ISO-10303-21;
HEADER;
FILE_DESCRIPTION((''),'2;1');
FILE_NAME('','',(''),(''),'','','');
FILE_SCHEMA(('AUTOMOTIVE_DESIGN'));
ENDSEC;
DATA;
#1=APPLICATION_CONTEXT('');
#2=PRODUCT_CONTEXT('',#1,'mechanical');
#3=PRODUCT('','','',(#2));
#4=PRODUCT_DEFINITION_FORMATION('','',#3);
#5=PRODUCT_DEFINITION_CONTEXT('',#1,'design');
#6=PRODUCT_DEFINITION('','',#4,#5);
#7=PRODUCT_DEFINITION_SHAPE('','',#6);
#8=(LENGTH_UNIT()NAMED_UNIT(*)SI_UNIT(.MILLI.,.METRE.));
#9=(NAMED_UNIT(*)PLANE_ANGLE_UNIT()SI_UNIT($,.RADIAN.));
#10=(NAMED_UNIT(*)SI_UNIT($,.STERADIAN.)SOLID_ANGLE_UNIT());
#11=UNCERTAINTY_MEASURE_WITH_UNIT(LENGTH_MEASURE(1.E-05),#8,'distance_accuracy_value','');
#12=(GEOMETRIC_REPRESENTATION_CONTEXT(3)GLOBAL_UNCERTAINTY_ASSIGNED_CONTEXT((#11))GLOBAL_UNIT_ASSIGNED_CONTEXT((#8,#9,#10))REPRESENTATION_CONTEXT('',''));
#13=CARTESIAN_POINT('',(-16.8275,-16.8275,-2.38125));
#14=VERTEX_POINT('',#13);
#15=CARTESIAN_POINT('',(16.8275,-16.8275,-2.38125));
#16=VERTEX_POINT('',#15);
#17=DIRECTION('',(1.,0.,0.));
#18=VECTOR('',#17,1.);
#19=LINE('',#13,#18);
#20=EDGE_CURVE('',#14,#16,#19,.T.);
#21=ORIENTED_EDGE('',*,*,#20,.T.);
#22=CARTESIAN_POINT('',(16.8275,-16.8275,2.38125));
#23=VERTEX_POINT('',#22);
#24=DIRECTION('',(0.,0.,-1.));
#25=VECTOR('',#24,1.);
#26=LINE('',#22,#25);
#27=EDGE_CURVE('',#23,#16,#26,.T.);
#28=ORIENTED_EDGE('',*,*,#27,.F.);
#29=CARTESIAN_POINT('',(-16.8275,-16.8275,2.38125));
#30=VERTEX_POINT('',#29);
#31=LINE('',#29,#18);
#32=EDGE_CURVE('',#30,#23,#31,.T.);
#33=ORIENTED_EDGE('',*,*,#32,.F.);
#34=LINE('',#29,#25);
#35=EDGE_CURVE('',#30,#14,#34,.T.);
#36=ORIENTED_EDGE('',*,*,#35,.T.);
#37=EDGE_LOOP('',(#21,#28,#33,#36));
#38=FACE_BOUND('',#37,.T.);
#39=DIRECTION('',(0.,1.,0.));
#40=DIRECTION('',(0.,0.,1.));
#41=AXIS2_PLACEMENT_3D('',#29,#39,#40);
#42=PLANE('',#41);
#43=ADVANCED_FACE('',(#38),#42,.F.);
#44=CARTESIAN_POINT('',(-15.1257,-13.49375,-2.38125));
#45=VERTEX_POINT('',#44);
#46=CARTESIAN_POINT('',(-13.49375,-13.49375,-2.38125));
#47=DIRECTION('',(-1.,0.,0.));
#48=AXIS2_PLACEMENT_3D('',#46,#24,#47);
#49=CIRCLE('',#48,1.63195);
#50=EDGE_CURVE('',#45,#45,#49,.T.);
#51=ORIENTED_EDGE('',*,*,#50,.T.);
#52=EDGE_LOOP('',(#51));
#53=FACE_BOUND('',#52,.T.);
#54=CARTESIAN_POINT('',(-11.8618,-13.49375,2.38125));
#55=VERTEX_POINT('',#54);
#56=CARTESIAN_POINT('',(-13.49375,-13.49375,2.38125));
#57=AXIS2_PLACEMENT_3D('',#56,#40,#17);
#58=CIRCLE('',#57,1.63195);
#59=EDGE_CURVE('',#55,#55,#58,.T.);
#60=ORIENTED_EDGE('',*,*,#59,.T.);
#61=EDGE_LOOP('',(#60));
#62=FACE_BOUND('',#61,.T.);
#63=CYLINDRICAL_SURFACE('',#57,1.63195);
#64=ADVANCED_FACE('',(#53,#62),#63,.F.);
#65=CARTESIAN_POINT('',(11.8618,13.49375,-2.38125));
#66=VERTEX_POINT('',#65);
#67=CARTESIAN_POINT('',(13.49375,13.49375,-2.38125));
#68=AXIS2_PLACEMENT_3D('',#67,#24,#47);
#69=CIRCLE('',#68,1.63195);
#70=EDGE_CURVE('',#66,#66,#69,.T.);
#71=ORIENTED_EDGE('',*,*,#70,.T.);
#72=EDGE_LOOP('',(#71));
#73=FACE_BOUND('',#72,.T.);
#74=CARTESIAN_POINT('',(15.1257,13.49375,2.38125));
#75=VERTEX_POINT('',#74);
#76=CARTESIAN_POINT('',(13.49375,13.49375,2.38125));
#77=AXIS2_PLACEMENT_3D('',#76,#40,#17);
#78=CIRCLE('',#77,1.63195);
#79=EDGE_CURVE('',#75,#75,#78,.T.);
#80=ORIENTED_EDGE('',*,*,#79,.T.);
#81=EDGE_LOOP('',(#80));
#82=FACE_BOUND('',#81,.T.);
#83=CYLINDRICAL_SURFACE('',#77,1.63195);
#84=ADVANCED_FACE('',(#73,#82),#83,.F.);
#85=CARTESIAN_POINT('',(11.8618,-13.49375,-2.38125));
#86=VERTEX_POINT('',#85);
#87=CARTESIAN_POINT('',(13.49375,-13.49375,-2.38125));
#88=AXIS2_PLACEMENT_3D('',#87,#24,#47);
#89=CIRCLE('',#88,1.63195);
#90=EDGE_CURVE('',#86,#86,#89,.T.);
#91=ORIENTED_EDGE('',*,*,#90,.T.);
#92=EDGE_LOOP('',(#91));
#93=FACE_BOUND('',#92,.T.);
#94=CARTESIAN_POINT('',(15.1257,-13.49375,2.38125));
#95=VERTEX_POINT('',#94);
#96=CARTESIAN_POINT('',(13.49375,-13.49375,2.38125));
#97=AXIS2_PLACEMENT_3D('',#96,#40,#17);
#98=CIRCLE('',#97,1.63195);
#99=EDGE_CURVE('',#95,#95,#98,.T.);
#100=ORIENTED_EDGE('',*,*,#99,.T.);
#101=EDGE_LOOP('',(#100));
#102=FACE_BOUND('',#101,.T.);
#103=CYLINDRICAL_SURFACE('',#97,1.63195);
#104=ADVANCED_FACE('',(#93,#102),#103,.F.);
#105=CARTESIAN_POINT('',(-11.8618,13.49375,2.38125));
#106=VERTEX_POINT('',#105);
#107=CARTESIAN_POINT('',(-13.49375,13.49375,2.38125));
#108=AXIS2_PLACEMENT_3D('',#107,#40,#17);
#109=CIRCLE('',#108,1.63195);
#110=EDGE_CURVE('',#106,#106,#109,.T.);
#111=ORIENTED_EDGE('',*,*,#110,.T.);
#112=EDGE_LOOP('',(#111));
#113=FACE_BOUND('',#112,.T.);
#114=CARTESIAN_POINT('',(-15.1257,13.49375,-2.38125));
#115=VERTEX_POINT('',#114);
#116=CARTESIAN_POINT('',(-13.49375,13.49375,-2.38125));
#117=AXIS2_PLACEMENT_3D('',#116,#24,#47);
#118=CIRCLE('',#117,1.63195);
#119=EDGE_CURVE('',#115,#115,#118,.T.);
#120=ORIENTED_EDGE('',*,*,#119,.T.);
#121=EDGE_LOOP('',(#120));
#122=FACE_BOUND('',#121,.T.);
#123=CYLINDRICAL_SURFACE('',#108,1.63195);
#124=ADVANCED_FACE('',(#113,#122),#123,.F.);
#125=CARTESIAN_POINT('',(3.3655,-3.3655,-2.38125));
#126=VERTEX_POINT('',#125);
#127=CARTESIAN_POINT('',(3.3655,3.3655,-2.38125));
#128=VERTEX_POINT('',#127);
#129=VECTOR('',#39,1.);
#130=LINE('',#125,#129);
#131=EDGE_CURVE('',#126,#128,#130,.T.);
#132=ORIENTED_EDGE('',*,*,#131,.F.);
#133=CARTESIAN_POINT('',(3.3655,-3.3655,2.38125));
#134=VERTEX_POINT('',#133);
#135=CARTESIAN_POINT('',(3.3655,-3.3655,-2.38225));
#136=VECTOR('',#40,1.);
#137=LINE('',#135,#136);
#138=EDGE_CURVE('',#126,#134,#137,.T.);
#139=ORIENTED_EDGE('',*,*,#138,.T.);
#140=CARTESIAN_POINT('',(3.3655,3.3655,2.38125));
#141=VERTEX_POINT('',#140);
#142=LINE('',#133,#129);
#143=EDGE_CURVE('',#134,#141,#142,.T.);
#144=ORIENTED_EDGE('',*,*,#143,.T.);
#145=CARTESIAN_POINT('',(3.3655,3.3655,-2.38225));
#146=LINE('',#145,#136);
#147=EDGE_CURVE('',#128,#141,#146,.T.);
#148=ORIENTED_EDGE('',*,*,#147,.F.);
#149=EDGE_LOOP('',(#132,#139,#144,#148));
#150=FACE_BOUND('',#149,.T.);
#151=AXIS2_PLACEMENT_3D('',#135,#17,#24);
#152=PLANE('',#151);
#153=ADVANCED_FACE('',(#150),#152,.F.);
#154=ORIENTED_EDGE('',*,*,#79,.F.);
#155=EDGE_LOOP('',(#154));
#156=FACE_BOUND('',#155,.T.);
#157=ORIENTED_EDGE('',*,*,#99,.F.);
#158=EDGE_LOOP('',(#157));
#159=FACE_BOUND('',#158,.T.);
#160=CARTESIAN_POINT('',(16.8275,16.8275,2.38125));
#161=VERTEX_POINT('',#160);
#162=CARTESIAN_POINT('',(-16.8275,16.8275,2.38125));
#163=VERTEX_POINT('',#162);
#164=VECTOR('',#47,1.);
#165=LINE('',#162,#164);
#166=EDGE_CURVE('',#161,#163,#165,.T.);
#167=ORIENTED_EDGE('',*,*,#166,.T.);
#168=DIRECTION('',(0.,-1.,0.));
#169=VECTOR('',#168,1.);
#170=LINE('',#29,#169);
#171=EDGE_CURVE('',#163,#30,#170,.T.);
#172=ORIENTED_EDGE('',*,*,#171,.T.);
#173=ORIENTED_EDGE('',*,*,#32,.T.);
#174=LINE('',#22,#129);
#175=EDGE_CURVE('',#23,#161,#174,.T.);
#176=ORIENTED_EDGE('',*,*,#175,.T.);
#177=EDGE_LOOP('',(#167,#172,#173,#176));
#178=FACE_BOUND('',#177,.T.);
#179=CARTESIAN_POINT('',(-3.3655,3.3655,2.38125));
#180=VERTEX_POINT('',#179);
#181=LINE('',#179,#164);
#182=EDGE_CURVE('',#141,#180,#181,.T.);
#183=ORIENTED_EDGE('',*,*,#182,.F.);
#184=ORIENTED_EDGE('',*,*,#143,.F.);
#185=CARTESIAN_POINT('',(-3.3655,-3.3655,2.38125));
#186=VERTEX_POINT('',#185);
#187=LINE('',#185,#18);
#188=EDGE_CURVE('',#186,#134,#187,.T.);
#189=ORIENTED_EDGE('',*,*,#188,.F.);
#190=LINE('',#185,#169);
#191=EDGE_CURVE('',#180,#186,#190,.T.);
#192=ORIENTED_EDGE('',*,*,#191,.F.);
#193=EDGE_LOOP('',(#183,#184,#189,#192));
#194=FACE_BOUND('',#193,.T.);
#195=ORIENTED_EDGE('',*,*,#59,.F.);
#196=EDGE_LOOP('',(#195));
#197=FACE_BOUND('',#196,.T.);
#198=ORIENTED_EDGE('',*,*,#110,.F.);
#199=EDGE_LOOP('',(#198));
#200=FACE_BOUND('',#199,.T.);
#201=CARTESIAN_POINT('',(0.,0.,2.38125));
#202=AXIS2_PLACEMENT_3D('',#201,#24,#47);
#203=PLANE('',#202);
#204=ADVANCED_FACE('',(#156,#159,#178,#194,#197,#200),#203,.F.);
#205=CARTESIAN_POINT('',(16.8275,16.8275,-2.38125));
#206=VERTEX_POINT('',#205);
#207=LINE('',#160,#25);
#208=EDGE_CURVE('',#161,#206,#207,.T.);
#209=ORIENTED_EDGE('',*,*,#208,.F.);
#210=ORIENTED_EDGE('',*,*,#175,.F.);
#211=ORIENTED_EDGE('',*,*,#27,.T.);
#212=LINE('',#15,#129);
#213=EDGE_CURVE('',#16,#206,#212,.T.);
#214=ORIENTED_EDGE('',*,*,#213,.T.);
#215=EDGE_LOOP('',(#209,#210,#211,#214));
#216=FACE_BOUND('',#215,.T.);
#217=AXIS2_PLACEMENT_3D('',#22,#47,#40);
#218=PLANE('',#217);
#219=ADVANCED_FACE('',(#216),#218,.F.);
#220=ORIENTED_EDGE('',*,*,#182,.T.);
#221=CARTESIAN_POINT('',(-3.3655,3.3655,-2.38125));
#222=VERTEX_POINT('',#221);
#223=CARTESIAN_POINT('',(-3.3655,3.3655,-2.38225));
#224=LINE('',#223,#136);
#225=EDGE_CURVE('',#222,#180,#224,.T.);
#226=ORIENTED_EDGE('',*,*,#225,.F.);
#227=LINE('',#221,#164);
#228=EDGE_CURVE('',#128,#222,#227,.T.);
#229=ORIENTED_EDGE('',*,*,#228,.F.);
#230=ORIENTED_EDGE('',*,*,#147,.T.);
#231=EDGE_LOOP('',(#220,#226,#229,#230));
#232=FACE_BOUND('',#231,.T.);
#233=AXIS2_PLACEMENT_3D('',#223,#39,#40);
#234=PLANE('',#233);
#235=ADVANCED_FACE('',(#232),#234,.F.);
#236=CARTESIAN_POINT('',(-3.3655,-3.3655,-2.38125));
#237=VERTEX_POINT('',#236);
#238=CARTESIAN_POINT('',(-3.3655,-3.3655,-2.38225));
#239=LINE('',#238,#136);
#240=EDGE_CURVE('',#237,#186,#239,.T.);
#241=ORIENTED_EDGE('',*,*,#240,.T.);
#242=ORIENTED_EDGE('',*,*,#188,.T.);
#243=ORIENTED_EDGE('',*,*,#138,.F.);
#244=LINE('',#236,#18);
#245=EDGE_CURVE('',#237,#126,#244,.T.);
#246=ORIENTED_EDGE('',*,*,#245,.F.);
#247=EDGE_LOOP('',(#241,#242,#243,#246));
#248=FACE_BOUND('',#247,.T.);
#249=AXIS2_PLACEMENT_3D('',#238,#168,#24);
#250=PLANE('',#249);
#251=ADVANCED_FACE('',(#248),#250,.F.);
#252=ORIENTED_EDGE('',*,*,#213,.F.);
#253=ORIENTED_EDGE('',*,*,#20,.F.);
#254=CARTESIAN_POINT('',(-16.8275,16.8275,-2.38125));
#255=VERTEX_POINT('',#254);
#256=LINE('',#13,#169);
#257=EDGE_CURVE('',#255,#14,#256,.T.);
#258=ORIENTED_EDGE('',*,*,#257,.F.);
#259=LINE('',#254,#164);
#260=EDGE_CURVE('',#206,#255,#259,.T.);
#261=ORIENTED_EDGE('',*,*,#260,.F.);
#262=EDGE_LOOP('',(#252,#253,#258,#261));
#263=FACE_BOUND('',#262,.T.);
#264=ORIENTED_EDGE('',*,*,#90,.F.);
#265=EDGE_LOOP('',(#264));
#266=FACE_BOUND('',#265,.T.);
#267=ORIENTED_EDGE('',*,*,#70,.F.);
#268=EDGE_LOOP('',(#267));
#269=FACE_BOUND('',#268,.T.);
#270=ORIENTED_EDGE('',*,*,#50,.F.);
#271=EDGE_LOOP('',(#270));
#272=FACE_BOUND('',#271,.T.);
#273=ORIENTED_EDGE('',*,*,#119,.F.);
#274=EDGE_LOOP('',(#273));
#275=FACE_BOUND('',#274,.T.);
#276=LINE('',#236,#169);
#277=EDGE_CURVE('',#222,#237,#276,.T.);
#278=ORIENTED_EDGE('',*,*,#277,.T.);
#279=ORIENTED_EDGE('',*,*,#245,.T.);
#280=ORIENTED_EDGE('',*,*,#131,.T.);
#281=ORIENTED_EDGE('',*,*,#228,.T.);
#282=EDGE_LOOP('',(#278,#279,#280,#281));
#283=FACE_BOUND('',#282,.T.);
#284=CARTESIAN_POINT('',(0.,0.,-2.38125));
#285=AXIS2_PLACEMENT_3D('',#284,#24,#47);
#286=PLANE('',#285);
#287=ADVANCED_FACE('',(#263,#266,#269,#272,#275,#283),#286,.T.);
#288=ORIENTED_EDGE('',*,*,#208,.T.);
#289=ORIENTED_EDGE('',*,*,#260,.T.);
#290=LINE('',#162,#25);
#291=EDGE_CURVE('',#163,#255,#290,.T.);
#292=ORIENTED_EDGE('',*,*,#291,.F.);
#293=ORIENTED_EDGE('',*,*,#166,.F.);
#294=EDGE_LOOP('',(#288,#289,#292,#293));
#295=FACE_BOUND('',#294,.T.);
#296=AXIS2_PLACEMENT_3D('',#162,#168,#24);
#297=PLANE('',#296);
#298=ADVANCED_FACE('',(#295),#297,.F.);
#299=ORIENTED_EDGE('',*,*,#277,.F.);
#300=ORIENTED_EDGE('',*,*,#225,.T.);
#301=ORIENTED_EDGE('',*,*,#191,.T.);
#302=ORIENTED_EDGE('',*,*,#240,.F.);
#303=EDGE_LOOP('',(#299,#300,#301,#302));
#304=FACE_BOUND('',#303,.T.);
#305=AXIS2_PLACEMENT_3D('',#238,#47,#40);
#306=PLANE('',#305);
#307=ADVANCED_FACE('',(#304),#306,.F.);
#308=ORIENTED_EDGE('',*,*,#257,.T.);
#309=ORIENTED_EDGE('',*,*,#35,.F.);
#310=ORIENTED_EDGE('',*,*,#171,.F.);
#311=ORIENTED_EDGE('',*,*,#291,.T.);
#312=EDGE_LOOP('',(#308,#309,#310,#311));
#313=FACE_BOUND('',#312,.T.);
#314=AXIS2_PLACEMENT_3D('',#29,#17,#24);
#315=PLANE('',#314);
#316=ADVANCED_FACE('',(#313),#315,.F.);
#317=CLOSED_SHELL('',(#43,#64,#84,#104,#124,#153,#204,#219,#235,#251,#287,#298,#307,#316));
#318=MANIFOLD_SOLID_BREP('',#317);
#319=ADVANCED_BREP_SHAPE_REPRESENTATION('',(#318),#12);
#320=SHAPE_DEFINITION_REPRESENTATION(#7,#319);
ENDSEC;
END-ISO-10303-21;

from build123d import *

# Parameters (mm, degrees)
SKETCH2_W                 = 33.655
SKETCH2_H                 = 33.655
BOSS_EXTRUDE1_DEPTH       = 2.38125
CUT_EXTRUDE1_REACH        = 26.27
SKETCH3_W                 = 6.731
SKETCH3_H                 = 6.731
F_4_CLEARANCE_HOLE1_D     = 3.2639
F_4_CLEARANCE_HOLE1_DEPTH = 8.89
F_4_CLEARANCE_HOLE1_TIP   = 0.980574487


with BuildPart() as part:
    # Sketch2 → Boss-Extrude1 (new, symmetric)
    with BuildSketch(Plane.XY):
        Rectangle(SKETCH2_W, SKETCH2_H)
    extrude(amount=BOSS_EXTRUDE1_DEPTH, both=True)

    # Sketch3 → Cut-Extrude1 (cut, up to next)
    with BuildSketch(Plane.XY.offset(2.38125), mode=Mode.PRIVATE) as cut_extrude1_sk1:
        Rectangle(SKETCH3_W, SKETCH3_H)
    cut_extrude1_tool1 = extrude(cut_extrude1_sk1.sketch, amount=-CUT_EXTRUDE1_REACH, mode=Mode.PRIVATE) & part.part
    add(cut_extrude1_tool1.solids().sort_by_distance((0, 0, 2.38125))[0], mode=Mode.SUBTRACT)

    # #4 Clearance Hole1
    with Locations(Plane.XY.offset(2.38125)):
        with Locations((-13.49375, 13.49375), (0, 0), (13.49375, 13.49375), (-13.49375, -13.49375), (13.49375, -13.49375)):
            Hole(F_4_CLEARANCE_HOLE1_D / 2, depth=F_4_CLEARANCE_HOLE1_DEPTH)
            with Locations((0, 0, -(F_4_CLEARANCE_HOLE1_DEPTH + F_4_CLEARANCE_HOLE1_TIP / 2))):  # 118° drill point
                Cone(0, F_4_CLEARANCE_HOLE1_D / 2, F_4_CLEARANCE_HOLE1_TIP, mode=Mode.SUBTRACT)


solid = part.part
